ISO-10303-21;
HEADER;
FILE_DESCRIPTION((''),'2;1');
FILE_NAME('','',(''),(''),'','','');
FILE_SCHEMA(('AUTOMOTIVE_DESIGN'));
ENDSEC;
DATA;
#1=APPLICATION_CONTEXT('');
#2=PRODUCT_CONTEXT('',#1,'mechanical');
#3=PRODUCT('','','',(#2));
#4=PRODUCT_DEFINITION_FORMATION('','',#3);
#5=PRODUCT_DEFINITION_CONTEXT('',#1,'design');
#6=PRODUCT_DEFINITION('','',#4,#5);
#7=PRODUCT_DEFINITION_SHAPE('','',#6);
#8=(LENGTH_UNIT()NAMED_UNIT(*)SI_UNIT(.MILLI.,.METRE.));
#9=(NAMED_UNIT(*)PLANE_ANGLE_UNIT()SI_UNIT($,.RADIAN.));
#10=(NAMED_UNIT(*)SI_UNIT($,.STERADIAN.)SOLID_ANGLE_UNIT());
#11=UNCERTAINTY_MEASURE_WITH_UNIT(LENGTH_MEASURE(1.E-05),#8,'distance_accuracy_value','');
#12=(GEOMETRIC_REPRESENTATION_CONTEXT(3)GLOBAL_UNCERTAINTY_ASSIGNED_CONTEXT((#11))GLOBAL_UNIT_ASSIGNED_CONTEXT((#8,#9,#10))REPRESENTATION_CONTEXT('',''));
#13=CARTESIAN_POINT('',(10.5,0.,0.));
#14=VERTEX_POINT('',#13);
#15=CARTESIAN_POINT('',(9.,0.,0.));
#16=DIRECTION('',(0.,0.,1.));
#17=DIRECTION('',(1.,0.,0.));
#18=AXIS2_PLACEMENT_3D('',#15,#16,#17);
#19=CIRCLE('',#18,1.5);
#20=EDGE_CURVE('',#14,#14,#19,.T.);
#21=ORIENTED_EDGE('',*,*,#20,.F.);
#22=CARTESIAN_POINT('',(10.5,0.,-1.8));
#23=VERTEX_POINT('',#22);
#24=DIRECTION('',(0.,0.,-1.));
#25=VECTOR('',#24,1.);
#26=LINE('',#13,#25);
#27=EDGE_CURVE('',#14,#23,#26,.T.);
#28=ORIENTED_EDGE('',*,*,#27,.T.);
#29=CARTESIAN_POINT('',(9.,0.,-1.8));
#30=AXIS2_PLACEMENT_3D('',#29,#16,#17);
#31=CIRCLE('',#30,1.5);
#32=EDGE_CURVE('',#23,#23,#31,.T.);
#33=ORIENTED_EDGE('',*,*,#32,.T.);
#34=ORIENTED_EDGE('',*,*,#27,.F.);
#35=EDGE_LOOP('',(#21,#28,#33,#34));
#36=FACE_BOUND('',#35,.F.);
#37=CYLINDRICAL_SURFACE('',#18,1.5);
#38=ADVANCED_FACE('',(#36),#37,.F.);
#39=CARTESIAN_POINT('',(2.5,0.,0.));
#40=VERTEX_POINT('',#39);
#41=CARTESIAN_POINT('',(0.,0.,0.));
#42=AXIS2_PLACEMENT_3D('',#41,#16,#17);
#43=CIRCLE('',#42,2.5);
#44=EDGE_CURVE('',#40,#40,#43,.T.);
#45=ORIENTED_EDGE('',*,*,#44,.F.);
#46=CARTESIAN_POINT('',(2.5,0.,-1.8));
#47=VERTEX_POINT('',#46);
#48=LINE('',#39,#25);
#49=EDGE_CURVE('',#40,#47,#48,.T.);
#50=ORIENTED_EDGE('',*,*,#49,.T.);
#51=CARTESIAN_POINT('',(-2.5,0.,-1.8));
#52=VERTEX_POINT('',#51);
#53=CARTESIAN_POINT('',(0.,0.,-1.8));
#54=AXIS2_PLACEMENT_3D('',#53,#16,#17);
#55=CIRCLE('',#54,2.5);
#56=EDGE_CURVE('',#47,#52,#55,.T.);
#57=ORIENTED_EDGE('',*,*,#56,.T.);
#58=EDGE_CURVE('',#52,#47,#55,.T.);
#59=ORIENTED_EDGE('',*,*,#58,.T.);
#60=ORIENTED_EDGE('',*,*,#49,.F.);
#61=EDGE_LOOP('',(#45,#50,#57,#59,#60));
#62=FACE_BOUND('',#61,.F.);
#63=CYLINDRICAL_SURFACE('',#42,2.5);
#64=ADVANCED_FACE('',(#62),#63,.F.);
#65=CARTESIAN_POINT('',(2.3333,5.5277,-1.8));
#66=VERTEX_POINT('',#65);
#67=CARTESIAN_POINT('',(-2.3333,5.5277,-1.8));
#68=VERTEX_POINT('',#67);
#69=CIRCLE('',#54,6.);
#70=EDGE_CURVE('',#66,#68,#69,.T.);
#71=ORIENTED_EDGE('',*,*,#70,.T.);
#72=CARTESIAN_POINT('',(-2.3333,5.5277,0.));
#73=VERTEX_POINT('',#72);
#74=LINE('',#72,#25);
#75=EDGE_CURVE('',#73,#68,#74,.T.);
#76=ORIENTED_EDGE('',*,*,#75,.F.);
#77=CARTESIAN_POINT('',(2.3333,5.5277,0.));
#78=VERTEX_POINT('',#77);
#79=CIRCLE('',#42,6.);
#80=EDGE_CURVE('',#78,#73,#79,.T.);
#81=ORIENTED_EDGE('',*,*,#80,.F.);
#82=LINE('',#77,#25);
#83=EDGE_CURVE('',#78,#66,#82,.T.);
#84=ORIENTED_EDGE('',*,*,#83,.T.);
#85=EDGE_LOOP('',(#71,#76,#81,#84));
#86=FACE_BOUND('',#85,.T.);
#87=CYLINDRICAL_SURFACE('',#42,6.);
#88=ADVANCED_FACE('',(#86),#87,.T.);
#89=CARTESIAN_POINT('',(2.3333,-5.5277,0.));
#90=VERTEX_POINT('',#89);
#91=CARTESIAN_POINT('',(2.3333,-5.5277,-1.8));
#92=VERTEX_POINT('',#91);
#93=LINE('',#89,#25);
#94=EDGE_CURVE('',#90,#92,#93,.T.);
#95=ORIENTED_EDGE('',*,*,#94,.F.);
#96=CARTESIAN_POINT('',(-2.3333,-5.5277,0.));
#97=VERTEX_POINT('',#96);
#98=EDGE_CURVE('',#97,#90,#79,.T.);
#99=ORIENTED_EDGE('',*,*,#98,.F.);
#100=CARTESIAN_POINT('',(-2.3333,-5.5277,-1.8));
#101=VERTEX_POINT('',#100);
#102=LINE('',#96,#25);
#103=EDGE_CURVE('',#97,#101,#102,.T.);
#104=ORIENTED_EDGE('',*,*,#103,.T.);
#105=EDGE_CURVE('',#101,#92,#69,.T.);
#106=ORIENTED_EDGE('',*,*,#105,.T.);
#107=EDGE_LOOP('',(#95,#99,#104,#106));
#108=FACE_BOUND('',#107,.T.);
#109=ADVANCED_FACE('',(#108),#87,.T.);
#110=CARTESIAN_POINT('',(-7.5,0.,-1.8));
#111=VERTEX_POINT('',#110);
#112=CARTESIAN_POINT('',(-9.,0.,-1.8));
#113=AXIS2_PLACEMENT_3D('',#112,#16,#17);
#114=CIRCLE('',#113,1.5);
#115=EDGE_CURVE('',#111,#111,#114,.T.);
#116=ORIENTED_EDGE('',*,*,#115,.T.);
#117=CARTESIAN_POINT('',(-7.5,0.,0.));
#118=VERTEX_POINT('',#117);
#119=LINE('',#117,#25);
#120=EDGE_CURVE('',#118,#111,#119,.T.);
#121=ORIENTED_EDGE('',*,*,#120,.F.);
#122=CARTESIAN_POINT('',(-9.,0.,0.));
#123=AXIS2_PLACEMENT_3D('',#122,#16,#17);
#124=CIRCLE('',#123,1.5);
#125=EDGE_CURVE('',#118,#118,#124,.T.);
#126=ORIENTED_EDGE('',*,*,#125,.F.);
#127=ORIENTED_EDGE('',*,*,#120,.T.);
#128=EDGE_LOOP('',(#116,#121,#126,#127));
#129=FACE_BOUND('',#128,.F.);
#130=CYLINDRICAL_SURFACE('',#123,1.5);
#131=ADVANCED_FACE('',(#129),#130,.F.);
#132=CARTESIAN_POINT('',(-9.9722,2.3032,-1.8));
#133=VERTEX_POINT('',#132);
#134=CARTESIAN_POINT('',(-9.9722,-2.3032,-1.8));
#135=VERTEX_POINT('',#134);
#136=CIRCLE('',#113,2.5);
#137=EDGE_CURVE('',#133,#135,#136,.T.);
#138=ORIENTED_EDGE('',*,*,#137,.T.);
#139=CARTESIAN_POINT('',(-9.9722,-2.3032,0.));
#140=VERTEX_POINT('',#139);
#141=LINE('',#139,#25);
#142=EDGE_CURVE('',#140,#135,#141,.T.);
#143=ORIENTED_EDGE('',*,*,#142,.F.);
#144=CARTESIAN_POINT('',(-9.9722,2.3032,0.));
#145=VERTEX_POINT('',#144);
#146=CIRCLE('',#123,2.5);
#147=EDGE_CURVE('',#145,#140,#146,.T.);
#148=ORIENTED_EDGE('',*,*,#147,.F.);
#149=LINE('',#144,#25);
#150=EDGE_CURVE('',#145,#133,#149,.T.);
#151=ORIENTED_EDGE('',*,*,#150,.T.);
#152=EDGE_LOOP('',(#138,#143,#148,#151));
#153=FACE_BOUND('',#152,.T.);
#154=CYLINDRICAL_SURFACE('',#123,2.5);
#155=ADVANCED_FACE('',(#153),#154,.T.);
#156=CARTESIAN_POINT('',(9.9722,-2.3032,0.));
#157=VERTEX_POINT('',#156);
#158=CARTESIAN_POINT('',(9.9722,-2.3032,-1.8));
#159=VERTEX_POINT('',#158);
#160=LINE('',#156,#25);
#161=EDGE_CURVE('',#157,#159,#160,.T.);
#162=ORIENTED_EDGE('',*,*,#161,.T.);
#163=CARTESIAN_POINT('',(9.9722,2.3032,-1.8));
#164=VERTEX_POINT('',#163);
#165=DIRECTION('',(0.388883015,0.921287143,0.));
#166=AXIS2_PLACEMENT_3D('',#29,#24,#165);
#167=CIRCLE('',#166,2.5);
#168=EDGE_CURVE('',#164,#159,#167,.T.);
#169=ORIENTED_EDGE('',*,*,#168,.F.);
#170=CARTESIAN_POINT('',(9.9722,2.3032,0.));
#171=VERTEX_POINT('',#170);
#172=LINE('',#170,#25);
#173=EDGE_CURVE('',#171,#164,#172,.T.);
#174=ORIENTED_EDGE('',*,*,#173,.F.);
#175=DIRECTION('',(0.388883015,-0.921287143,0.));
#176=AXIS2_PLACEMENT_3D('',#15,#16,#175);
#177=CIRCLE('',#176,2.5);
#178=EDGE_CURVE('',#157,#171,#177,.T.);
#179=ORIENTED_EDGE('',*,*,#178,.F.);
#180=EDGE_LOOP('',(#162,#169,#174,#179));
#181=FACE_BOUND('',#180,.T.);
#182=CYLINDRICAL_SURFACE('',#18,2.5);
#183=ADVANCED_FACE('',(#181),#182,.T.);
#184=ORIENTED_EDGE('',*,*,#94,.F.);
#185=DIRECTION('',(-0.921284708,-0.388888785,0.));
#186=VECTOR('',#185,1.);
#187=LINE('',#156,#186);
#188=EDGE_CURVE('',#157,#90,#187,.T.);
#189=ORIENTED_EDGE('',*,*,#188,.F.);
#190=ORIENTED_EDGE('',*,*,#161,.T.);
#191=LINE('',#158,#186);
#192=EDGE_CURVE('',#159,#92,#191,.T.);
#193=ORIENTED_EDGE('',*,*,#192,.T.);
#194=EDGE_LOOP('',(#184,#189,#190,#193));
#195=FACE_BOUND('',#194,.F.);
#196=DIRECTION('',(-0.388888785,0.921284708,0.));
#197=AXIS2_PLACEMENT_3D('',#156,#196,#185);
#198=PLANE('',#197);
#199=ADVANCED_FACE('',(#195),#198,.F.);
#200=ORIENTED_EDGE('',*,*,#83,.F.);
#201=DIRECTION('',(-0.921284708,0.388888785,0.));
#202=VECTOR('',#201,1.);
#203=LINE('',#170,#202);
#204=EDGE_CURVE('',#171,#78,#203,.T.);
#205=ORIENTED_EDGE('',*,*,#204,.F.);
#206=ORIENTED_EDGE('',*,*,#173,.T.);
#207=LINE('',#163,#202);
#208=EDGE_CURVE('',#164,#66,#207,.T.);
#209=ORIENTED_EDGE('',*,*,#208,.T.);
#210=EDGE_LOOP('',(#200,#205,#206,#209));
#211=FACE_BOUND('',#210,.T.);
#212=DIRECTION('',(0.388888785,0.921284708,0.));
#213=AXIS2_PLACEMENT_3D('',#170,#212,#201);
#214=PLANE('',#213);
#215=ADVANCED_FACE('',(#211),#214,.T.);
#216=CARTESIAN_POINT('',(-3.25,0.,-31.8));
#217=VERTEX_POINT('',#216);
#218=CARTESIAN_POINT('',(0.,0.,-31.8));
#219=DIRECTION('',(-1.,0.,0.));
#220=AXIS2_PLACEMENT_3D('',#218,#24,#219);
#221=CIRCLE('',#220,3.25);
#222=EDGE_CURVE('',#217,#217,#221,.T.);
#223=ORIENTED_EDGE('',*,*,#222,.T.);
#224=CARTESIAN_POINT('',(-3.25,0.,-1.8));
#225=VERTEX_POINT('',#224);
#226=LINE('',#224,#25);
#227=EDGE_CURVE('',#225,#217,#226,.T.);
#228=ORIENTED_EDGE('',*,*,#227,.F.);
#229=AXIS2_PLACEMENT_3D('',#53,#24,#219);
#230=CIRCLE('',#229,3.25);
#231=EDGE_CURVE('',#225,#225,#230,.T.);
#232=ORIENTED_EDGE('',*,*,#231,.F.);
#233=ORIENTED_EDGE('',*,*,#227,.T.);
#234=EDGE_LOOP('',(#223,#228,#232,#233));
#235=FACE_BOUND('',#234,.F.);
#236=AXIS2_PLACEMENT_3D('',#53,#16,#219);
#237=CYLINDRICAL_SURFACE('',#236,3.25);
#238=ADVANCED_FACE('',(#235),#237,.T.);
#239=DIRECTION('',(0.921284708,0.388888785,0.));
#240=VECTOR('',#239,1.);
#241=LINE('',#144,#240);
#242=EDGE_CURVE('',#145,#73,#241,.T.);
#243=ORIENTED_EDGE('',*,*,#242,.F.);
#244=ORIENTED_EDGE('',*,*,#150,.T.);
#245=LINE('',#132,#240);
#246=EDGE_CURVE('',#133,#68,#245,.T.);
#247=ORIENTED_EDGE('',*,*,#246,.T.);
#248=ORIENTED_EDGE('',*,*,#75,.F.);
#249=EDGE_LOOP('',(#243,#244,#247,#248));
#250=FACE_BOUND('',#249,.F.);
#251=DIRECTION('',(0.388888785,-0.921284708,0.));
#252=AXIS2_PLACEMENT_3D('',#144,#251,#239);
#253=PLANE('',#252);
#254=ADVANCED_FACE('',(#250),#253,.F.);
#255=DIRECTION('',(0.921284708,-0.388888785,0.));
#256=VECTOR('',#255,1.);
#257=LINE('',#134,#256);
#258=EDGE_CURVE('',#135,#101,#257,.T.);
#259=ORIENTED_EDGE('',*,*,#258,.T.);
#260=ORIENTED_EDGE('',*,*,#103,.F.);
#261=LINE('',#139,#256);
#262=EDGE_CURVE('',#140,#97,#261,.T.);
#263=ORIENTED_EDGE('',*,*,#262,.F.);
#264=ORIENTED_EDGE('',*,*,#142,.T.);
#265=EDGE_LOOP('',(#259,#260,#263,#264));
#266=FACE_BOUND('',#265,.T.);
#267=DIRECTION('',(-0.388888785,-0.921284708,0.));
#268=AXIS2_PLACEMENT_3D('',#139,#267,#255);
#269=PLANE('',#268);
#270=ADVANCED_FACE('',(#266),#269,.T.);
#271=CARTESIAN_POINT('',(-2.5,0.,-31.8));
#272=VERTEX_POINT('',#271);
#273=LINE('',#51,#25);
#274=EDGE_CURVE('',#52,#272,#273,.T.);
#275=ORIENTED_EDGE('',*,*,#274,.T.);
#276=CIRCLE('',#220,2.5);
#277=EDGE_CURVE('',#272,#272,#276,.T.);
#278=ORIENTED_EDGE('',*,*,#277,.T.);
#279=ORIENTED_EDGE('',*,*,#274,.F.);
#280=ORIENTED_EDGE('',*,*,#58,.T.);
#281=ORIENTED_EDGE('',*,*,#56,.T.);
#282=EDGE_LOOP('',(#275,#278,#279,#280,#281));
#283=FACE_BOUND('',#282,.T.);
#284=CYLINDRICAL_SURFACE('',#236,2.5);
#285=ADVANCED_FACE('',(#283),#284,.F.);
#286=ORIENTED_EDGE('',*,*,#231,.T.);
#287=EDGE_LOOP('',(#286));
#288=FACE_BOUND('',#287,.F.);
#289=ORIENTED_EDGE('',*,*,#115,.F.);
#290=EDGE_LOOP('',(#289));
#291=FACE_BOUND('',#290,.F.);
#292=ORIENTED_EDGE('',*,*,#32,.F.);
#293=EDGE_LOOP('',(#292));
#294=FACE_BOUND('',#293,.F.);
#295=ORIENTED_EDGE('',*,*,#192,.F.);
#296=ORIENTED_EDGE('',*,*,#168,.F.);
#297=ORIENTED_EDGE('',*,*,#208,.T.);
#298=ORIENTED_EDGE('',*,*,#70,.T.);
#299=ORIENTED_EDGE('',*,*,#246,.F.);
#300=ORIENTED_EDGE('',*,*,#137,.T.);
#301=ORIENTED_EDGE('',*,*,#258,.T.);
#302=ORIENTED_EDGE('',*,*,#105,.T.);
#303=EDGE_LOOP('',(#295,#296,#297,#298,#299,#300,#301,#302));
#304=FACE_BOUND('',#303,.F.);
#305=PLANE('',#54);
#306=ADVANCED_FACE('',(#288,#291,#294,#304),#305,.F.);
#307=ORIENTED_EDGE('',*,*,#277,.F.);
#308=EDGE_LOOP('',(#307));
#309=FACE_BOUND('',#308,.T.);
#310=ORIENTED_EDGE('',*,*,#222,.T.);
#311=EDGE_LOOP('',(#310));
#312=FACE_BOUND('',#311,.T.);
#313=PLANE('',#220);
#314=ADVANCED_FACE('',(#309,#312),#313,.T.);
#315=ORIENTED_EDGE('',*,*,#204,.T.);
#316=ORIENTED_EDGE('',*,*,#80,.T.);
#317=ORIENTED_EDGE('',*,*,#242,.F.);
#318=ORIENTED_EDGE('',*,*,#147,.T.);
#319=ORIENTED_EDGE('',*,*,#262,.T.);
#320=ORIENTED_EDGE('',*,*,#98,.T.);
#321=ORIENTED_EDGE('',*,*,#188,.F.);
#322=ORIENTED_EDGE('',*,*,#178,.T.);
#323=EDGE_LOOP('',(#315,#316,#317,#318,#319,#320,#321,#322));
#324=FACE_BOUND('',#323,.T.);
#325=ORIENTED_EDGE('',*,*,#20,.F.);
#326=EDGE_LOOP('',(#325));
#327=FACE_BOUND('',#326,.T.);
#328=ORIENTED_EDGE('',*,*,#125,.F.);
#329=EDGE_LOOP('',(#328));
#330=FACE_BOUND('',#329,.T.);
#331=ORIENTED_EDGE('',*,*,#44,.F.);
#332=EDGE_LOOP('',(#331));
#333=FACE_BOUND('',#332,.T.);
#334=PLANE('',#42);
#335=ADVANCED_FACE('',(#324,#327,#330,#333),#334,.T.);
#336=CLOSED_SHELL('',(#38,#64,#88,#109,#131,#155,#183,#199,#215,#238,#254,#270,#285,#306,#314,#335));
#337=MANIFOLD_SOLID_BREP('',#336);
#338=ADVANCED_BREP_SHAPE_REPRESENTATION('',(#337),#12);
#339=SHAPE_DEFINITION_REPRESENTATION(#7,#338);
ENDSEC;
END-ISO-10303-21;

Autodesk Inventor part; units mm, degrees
ref_plane "YZ Plane" through (0, 0, 0) normal (1, 0, 0) x (0, 1, 0)
ref_plane "XZ Plane" through (0, 0, 0) normal (0, 1, 0) x (-1, 0, 0)
ref_plane "XY Plane" through (0, 0, 0) normal (0, 0, 1) x (1, 0, 0)
sketch "Sketch1" plane through (0, 0, 0) normal (0, 0, 1) x (1, 0, 0)
  circle A0 centre (0, 0) radius 2.5
  circle A1 centre (9, 0) radius 1.5
  circle A2 centre (-9, 0) radius 1.5
  circle A3 centre (-9, 0) radius 2.5
  circle A4 centre (9, 0) radius 2.5
  circle A5 centre (0, 0) radius 6
  line L0 (-9.9722, 2.3032) -> (-2.3333, 5.5277)
  line L1 (9.9722, 2.3032) -> (2.3333, 5.5277)
  line L2 (-9.9722, -2.3032) -> (-2.3333, -5.5277)
  line L3 (9.9722, -2.3032) -> (2.3333, -5.5277)
  dimension "d0" = 5
  dimension "d1" = 3
  dimension "d2" = 3
  dimension "d4" = 9
  dimension "d5" = 9
  dimension "d6" = 5
  dimension "d7" = 5
  dimension "d8" = 12
extrude "Extrusion1" add sketch "Sketch1" against normal blind 1.8
sketch "Sketch2" plane through (0, 0, -1.8) normal (0, 0, -1) x (-1, 0, 0)
  circle A0 centre (0, 0) radius 2.5 projected
  circle A1 centre (0, 0) radius 3.25
  circle A2 centre (0, 0) radius 2.5
  dimension "d11" = 6.5
  dimension "d12" = 5
extrude "Extrusion2" add sketch "Sketch2" along normal blind 30
properties part number "36 - Inlet Outlet Steam Pipe" material "Copper"
